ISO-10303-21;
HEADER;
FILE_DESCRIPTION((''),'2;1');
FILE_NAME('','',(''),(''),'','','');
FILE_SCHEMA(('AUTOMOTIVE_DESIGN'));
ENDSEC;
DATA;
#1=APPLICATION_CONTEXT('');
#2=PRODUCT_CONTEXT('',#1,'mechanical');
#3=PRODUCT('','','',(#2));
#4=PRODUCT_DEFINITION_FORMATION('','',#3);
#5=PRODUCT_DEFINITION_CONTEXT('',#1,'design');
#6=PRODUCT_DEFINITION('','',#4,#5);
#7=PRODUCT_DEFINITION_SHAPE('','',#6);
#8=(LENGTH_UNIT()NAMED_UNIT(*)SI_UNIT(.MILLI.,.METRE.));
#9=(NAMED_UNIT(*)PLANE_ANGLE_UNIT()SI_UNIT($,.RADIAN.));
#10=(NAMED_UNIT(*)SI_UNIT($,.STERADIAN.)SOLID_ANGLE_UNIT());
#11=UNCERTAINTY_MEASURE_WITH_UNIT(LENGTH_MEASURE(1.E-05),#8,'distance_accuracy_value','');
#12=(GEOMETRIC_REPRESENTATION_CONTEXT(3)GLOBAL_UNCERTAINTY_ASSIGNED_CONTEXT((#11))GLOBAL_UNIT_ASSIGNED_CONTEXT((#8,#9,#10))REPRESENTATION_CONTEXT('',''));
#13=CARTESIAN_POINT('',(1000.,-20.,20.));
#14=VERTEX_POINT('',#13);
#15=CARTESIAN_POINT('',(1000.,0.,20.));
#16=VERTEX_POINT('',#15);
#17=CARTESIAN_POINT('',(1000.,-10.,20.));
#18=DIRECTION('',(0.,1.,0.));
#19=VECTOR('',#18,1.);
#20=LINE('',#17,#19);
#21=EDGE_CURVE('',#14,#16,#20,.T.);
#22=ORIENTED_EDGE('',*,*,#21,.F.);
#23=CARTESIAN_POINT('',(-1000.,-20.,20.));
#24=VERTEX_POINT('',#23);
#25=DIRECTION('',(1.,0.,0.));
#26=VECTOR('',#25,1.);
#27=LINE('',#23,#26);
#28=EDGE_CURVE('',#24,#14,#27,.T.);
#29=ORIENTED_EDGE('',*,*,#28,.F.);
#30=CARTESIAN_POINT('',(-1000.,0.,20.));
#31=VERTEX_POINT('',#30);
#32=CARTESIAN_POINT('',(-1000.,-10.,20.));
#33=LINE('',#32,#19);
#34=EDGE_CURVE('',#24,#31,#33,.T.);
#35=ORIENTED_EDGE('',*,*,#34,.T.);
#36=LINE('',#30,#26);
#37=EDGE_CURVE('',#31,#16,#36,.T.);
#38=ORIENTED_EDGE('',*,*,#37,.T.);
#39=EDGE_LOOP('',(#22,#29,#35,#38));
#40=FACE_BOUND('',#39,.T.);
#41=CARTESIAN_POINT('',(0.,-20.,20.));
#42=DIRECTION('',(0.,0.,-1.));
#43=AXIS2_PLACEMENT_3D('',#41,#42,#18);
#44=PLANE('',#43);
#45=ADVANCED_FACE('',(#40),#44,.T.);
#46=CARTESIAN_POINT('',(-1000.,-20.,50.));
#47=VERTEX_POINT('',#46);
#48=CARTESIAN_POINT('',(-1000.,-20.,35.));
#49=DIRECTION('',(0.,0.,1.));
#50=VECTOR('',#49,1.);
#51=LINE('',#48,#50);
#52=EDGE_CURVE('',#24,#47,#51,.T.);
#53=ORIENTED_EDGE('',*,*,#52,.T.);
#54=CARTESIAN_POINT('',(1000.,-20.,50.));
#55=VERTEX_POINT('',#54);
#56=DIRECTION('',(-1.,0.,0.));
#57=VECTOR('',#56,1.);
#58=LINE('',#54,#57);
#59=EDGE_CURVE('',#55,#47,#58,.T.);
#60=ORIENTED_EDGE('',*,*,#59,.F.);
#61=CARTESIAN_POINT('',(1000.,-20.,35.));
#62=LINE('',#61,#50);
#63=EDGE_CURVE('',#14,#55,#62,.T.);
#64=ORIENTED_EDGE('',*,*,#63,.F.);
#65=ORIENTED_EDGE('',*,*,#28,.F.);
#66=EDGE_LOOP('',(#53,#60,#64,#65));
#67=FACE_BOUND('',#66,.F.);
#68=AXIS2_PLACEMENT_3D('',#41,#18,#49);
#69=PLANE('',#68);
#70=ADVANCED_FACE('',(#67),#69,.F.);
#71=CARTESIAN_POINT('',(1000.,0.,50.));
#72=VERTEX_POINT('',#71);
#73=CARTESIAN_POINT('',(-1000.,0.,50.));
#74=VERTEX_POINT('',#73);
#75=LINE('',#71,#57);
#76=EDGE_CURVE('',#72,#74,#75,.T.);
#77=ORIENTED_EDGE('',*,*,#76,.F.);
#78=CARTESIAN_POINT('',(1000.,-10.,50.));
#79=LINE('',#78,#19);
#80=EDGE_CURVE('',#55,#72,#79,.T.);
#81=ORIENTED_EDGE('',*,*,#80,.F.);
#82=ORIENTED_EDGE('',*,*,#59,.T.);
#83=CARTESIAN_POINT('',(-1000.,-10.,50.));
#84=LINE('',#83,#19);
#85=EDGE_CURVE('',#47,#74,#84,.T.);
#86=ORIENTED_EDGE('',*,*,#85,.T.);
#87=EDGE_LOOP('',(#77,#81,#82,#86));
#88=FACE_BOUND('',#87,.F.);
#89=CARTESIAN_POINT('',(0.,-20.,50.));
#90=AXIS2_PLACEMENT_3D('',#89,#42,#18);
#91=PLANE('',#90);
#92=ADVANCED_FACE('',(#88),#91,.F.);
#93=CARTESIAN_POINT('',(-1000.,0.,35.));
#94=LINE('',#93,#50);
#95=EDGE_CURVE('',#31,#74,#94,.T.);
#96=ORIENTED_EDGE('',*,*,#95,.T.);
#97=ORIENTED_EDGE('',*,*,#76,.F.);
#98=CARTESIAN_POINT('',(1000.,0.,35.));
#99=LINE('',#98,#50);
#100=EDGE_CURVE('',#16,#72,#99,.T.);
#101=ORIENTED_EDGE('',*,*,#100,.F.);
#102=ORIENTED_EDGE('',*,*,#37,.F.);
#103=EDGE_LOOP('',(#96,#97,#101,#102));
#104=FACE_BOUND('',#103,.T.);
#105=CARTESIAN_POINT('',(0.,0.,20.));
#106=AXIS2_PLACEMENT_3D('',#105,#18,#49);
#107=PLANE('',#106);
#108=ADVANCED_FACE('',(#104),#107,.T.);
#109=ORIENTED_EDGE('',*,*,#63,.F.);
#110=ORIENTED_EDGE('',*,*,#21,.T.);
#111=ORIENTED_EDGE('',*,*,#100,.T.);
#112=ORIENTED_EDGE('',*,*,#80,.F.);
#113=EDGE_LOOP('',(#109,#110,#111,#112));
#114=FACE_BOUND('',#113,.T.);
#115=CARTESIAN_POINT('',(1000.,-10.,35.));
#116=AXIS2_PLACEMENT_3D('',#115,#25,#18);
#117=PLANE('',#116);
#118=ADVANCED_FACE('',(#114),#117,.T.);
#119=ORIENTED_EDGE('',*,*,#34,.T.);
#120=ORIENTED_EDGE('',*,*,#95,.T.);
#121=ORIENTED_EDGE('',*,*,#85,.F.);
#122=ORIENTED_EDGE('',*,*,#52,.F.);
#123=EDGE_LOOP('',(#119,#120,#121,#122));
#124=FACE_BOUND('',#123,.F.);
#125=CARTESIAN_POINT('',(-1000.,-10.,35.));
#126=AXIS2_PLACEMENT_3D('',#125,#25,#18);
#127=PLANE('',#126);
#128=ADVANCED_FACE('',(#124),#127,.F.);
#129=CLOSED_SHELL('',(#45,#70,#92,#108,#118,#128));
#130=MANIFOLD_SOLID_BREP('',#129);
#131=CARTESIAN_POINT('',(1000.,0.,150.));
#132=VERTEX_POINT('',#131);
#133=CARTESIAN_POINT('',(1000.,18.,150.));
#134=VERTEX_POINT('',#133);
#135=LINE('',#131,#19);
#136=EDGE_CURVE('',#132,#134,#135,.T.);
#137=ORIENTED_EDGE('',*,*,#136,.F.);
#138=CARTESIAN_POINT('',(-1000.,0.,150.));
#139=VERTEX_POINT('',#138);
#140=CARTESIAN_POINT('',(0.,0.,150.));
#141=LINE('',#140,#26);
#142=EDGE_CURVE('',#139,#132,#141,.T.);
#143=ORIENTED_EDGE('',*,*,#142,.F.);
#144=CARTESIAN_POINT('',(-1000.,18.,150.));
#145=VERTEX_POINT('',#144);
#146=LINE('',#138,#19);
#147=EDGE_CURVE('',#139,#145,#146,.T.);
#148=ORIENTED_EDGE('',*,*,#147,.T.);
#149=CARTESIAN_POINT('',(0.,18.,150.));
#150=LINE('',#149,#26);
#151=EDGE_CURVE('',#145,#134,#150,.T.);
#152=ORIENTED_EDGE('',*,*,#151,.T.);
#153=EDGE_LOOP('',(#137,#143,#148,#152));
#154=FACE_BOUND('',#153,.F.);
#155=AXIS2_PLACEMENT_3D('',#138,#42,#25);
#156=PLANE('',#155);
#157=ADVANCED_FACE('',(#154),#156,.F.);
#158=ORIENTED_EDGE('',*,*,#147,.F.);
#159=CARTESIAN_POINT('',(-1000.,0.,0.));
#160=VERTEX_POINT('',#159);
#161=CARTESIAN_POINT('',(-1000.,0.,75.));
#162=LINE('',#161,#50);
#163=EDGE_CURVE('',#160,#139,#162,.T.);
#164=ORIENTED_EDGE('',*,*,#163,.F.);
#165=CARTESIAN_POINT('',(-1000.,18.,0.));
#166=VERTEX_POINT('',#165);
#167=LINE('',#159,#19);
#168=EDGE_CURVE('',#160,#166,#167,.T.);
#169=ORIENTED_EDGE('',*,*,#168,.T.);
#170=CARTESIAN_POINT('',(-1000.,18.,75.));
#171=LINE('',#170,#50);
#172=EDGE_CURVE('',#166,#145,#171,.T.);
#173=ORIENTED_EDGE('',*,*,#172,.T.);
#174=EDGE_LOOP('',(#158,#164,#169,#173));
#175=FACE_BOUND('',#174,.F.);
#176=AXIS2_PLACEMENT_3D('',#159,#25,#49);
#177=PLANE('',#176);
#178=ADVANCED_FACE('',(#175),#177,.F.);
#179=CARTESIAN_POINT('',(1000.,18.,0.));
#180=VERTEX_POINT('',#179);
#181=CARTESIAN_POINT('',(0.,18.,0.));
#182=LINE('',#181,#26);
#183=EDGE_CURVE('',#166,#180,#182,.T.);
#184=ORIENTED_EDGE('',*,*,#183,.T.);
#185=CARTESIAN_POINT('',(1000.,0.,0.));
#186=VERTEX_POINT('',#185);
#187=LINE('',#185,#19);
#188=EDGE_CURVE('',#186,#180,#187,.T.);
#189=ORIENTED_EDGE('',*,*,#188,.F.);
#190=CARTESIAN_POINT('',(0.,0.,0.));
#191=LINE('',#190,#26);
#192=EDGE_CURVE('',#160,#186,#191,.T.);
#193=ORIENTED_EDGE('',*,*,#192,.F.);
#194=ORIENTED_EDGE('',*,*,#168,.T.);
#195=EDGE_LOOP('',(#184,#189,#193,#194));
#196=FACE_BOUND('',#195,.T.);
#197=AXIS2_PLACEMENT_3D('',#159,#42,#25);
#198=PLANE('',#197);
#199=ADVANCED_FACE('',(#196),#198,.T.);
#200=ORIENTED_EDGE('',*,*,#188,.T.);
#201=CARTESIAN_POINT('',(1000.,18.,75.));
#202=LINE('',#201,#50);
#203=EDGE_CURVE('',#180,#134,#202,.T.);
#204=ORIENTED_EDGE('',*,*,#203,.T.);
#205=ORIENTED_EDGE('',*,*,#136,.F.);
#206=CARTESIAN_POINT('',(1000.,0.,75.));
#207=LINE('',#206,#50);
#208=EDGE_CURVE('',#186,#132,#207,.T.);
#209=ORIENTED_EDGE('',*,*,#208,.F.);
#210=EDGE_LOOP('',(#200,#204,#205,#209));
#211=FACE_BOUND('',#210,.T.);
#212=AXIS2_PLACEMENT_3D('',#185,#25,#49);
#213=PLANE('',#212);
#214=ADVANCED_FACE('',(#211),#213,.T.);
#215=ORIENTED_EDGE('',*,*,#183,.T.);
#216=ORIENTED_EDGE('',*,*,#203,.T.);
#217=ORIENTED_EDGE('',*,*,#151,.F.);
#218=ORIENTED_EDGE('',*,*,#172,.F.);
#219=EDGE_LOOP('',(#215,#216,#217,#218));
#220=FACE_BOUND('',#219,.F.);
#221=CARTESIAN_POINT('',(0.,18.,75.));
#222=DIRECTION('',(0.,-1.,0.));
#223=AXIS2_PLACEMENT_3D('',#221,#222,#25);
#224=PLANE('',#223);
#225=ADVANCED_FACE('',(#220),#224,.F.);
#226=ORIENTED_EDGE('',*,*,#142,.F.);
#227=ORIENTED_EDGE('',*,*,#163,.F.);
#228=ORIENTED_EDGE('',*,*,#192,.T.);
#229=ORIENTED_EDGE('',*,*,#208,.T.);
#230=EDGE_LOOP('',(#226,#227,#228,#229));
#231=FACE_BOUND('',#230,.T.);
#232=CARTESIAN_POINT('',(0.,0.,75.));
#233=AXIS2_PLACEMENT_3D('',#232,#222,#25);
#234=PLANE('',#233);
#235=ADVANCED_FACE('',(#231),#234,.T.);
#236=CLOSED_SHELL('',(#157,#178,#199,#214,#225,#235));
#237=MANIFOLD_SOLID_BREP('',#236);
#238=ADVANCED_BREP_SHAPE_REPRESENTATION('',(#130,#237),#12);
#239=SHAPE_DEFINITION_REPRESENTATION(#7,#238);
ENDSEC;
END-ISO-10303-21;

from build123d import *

# Parameters (mm, degrees)
F0_W     = 2000
F0_H     = 150
F1_DEPTH = 18
F2_W     = 20
F2_H     = 30
F3_DEPTH = 1000


with BuildPart() as f1:
    # F0 (on Front) → F1 (new body)
    with BuildSketch(Plane.XZ):
        with Locations((0, 75)):
            Rectangle(F0_W, F0_H)
    extrude(amount=-F1_DEPTH)


with BuildPart() as f3:
    # F2 (on Right) → F3 (new body, symmetric)
    with BuildSketch(Plane.YZ):
        with Locations((-10, 35)):
            Rectangle(F2_W, F2_H)
    extrude(amount=F3_DEPTH, both=True)


solid = Compound([f1.part, f3.part])
